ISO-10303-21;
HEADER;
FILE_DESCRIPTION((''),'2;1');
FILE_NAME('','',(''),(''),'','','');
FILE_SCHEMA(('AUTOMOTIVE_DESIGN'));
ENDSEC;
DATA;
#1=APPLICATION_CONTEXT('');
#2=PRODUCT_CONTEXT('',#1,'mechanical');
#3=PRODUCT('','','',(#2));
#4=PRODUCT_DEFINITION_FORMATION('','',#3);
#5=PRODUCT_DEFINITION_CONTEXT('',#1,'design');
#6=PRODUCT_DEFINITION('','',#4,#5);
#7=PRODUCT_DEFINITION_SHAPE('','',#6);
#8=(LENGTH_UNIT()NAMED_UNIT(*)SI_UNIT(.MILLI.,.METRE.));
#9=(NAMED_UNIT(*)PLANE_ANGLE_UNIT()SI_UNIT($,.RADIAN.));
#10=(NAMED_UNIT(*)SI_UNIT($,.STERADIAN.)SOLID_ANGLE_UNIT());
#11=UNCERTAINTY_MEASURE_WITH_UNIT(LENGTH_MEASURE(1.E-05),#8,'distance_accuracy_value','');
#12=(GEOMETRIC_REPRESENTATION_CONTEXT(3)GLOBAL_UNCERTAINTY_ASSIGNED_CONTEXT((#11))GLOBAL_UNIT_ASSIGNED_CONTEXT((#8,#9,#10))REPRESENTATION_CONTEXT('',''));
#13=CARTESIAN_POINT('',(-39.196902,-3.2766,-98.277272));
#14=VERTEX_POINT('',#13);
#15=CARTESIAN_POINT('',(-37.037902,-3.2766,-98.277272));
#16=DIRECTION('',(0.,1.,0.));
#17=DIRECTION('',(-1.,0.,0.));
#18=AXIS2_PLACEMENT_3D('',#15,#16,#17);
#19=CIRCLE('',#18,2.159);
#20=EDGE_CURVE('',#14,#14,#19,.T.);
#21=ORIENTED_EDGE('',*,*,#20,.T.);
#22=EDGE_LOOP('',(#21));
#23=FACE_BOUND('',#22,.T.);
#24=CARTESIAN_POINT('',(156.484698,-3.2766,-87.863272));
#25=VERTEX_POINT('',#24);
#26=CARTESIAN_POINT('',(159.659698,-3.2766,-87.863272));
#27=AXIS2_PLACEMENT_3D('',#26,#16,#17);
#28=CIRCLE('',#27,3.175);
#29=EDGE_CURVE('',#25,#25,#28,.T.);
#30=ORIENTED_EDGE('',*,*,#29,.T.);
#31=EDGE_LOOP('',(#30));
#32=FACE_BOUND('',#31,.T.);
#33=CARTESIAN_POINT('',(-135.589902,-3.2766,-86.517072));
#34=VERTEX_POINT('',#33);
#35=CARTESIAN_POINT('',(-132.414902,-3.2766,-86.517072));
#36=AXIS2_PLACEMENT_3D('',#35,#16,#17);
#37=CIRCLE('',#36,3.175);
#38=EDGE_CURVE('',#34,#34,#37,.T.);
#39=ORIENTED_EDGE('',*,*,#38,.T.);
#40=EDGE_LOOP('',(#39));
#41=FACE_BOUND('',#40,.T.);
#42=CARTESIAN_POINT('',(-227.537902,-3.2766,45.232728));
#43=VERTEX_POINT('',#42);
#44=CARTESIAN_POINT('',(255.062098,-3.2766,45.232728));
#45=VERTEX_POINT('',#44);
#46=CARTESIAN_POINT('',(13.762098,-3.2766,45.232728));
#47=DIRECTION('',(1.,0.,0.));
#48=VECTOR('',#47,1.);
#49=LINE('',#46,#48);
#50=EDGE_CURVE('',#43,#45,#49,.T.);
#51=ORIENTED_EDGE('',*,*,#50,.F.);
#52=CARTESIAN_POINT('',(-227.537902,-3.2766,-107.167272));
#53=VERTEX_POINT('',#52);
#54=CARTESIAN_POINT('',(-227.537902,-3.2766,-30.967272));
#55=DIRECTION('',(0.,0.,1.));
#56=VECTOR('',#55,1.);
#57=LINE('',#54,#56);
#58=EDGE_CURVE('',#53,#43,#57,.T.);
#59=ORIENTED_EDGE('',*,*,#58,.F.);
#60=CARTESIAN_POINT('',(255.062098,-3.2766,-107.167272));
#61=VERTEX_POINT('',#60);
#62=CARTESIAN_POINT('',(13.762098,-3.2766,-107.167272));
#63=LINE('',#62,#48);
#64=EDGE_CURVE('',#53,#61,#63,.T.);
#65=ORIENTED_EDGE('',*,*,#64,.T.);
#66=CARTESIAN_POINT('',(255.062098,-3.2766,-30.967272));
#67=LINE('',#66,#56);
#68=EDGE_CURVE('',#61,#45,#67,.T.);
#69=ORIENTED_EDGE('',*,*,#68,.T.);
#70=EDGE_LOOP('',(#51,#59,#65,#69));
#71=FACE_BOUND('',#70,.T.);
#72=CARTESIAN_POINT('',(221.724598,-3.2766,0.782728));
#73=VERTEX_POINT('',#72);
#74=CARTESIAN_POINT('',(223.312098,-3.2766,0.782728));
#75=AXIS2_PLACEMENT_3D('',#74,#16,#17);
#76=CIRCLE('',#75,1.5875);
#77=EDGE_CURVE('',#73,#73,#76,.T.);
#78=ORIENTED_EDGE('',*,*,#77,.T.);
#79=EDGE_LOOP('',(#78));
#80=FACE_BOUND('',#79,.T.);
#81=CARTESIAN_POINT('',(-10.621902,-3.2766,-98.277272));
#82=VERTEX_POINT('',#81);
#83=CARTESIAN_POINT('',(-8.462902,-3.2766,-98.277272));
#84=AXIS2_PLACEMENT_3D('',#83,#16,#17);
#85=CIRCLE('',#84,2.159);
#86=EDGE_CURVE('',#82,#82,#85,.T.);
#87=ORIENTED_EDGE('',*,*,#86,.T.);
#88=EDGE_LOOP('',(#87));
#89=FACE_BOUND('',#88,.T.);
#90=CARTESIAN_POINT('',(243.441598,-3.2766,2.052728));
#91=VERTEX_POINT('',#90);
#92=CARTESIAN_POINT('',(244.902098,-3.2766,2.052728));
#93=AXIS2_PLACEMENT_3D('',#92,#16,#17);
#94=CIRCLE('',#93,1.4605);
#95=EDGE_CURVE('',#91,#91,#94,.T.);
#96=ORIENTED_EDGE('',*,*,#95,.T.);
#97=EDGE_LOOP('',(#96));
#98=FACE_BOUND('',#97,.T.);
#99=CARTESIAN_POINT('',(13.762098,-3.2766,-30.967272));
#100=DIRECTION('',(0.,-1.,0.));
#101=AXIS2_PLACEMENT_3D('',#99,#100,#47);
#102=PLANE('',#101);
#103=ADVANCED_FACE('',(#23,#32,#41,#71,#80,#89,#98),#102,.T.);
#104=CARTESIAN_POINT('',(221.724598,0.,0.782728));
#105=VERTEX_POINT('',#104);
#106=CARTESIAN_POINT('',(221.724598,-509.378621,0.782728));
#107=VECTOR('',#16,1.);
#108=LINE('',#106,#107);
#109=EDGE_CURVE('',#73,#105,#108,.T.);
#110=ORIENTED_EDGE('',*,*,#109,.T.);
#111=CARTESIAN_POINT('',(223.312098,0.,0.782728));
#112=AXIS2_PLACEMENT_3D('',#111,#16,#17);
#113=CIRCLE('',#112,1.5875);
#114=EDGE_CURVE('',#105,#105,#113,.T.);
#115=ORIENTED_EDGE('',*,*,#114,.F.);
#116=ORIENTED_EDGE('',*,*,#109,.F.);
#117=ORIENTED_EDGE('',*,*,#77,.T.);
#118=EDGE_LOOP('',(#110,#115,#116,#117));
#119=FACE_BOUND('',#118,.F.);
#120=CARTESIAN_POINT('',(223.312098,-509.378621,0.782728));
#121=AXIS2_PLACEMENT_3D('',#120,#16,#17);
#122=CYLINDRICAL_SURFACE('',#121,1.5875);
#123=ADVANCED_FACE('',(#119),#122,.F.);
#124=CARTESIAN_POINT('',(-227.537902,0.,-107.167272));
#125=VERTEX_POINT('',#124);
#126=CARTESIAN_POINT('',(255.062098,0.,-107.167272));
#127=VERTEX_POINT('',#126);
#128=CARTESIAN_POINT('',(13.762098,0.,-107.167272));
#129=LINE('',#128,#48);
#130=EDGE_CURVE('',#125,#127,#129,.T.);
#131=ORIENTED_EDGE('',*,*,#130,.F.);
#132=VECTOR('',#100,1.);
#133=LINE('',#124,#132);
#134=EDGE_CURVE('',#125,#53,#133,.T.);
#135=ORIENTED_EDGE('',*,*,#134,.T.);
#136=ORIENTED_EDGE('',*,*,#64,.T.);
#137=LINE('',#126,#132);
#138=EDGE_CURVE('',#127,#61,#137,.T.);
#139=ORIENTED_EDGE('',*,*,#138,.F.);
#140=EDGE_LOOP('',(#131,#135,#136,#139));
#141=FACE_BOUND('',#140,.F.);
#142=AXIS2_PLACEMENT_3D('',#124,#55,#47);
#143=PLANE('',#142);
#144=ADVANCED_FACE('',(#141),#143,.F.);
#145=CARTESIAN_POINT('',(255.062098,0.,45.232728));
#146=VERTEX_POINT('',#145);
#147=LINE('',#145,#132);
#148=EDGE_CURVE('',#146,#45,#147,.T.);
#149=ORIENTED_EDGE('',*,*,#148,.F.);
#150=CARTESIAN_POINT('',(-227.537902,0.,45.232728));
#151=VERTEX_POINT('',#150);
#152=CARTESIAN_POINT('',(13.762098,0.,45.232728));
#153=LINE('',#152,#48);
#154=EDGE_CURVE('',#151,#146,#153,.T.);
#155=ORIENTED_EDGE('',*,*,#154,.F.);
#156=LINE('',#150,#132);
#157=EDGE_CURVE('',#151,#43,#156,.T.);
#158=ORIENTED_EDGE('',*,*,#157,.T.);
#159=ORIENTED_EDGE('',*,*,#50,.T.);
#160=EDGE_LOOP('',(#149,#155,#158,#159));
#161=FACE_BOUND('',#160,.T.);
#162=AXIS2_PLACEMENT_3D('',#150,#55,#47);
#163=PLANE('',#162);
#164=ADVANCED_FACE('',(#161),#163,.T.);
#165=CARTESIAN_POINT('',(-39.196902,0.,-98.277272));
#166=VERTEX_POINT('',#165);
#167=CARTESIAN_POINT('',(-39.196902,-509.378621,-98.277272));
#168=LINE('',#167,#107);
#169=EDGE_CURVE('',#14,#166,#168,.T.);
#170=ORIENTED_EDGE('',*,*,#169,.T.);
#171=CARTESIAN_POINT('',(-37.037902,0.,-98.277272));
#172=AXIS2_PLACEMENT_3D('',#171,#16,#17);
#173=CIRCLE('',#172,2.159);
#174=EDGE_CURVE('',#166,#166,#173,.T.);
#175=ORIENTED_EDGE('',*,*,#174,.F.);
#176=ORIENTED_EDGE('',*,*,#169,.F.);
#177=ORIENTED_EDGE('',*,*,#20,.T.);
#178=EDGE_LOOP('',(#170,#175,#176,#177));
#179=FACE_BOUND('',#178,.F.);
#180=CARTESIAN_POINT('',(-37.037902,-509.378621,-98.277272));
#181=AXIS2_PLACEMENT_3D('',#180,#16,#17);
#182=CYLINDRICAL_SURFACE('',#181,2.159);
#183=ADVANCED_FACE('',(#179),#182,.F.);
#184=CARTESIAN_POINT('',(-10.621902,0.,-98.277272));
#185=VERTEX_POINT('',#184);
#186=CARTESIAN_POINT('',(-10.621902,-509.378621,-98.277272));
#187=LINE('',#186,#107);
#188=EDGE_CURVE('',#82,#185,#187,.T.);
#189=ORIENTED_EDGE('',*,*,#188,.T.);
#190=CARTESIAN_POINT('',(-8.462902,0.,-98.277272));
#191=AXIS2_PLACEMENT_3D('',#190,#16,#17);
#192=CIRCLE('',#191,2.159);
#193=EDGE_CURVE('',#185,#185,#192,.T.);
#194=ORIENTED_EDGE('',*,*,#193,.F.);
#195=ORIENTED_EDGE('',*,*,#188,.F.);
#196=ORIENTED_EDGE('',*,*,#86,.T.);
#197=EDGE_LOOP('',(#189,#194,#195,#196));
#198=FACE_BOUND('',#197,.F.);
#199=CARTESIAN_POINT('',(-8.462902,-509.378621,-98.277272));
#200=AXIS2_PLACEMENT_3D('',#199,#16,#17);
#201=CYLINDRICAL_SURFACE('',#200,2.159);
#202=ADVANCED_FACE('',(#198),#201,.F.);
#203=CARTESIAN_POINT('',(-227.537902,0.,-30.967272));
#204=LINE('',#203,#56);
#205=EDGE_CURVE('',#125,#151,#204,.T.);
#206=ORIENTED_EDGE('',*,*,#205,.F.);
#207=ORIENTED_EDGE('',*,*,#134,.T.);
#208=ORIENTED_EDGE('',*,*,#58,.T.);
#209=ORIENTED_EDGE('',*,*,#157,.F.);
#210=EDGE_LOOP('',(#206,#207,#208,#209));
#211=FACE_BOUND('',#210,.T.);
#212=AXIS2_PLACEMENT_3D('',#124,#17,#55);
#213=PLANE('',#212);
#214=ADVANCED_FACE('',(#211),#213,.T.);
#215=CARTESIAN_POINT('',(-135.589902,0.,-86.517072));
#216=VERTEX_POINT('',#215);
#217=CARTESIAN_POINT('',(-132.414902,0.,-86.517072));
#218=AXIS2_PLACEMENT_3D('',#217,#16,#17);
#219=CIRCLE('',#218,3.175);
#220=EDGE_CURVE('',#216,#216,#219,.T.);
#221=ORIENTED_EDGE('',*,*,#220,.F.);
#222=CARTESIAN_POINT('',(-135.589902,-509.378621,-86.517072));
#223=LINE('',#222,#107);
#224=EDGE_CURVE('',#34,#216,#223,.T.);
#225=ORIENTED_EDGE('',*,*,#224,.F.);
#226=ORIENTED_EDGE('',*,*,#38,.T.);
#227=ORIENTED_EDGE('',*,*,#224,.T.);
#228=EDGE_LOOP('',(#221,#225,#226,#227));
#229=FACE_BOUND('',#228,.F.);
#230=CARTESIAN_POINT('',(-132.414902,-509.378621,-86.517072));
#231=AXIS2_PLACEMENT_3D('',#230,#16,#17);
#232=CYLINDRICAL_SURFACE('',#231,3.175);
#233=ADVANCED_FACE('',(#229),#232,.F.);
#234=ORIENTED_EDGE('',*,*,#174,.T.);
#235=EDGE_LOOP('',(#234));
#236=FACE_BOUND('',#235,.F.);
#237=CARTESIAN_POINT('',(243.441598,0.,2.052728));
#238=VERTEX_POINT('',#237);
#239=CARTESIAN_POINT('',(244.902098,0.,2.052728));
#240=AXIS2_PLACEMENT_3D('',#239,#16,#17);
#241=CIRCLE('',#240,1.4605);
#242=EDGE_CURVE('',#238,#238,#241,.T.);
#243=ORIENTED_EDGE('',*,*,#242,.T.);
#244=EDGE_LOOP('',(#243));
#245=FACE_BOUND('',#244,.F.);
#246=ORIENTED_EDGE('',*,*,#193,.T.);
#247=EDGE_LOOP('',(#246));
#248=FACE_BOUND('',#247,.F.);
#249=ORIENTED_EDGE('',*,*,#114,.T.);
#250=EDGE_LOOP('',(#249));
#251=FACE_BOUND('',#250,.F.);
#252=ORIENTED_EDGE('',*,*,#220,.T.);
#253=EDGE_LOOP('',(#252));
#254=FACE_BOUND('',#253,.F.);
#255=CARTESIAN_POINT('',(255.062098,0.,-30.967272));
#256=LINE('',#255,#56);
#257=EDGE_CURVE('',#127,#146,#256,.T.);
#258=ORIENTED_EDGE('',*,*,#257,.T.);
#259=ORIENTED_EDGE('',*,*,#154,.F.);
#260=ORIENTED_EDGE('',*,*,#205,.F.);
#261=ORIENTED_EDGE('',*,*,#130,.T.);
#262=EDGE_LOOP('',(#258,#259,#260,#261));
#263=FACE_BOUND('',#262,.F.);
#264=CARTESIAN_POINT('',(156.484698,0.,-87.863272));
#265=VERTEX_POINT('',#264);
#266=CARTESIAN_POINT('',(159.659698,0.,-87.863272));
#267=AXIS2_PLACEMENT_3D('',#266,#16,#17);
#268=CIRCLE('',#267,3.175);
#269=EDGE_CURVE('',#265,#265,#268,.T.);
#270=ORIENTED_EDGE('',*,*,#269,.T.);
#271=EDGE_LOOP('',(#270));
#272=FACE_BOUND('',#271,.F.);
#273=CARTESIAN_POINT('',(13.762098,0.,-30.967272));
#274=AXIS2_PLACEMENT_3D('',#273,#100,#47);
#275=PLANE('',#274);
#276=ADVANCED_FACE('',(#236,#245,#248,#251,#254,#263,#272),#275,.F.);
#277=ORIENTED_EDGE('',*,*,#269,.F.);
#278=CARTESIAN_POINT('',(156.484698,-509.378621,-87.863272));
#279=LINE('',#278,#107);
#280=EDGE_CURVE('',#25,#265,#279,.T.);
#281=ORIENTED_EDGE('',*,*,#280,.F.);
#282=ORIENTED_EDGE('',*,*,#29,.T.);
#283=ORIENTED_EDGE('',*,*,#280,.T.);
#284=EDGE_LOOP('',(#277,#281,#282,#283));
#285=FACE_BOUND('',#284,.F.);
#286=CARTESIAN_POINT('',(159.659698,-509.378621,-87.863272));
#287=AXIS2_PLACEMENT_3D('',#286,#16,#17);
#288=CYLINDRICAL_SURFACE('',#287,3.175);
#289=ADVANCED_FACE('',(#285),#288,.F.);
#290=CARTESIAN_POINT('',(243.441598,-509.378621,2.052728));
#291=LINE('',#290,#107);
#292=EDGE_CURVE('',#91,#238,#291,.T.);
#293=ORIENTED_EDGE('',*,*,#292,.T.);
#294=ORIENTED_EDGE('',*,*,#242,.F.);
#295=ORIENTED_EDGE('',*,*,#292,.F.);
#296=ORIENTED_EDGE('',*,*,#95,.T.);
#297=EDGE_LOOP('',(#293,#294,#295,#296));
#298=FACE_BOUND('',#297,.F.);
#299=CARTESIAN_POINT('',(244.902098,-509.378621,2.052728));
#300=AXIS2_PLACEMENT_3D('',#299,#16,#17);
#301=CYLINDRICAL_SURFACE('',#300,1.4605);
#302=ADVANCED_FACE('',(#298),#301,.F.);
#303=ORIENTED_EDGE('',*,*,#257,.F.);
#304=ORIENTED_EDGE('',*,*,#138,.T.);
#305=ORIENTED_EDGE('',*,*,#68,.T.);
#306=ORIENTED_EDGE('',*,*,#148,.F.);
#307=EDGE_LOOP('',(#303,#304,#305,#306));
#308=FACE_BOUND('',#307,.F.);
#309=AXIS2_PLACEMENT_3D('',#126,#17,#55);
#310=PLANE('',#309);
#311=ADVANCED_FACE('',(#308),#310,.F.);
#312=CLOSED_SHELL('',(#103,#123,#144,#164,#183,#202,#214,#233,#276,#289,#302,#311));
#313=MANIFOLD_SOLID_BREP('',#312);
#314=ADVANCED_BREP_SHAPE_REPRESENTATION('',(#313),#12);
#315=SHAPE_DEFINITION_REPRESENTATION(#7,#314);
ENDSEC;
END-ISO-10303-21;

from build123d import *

# Parameters (mm, degrees)
F0_W     = 482.6
F0_H     = 152.4
F1_DEPTH = 3.2766
F4_D     = 3.175
F6_D     = 4.318
F8_D     = 4.318
F10_D    = 2.921
F11_D    = 6.35


with BuildPart() as f1:
    # F0 (on Front) → F1 (new body)
    with BuildSketch(Plane.XZ):
        with Locations((13.762098, -30.967272)):
            Rectangle(F0_W, F0_H)
    extrude(amount=F1_DEPTH)

    # F4 (through all)
    with Locations(Plane.XZ.offset(3.2766)):
        with Locations((223.312098, 0.782728)):
            Hole(F4_D / 2)

    # F6 (through all)
    with Locations(Plane.XZ.offset(3.2766)):
        with Locations((-8.462902, -98.277272)):
            Hole(F6_D / 2)

    # F8 (through all)
    with Locations(Plane.XZ.offset(3.2766)):
        with Locations((-37.037902, -98.277272)):
            Hole(F8_D / 2)

    # F10 (through all)
    with Locations(Plane.XZ.offset(3.2766)):
        with Locations((244.902098, 2.052728)):
            Hole(F10_D / 2)

    # F11 (through all)
    with Locations(Plane.XZ.offset(3.2766)):
        with Locations((-132.414902, -86.517072), (159.659698, -87.863272)):
            Hole(F11_D / 2)


solid = f1.part
